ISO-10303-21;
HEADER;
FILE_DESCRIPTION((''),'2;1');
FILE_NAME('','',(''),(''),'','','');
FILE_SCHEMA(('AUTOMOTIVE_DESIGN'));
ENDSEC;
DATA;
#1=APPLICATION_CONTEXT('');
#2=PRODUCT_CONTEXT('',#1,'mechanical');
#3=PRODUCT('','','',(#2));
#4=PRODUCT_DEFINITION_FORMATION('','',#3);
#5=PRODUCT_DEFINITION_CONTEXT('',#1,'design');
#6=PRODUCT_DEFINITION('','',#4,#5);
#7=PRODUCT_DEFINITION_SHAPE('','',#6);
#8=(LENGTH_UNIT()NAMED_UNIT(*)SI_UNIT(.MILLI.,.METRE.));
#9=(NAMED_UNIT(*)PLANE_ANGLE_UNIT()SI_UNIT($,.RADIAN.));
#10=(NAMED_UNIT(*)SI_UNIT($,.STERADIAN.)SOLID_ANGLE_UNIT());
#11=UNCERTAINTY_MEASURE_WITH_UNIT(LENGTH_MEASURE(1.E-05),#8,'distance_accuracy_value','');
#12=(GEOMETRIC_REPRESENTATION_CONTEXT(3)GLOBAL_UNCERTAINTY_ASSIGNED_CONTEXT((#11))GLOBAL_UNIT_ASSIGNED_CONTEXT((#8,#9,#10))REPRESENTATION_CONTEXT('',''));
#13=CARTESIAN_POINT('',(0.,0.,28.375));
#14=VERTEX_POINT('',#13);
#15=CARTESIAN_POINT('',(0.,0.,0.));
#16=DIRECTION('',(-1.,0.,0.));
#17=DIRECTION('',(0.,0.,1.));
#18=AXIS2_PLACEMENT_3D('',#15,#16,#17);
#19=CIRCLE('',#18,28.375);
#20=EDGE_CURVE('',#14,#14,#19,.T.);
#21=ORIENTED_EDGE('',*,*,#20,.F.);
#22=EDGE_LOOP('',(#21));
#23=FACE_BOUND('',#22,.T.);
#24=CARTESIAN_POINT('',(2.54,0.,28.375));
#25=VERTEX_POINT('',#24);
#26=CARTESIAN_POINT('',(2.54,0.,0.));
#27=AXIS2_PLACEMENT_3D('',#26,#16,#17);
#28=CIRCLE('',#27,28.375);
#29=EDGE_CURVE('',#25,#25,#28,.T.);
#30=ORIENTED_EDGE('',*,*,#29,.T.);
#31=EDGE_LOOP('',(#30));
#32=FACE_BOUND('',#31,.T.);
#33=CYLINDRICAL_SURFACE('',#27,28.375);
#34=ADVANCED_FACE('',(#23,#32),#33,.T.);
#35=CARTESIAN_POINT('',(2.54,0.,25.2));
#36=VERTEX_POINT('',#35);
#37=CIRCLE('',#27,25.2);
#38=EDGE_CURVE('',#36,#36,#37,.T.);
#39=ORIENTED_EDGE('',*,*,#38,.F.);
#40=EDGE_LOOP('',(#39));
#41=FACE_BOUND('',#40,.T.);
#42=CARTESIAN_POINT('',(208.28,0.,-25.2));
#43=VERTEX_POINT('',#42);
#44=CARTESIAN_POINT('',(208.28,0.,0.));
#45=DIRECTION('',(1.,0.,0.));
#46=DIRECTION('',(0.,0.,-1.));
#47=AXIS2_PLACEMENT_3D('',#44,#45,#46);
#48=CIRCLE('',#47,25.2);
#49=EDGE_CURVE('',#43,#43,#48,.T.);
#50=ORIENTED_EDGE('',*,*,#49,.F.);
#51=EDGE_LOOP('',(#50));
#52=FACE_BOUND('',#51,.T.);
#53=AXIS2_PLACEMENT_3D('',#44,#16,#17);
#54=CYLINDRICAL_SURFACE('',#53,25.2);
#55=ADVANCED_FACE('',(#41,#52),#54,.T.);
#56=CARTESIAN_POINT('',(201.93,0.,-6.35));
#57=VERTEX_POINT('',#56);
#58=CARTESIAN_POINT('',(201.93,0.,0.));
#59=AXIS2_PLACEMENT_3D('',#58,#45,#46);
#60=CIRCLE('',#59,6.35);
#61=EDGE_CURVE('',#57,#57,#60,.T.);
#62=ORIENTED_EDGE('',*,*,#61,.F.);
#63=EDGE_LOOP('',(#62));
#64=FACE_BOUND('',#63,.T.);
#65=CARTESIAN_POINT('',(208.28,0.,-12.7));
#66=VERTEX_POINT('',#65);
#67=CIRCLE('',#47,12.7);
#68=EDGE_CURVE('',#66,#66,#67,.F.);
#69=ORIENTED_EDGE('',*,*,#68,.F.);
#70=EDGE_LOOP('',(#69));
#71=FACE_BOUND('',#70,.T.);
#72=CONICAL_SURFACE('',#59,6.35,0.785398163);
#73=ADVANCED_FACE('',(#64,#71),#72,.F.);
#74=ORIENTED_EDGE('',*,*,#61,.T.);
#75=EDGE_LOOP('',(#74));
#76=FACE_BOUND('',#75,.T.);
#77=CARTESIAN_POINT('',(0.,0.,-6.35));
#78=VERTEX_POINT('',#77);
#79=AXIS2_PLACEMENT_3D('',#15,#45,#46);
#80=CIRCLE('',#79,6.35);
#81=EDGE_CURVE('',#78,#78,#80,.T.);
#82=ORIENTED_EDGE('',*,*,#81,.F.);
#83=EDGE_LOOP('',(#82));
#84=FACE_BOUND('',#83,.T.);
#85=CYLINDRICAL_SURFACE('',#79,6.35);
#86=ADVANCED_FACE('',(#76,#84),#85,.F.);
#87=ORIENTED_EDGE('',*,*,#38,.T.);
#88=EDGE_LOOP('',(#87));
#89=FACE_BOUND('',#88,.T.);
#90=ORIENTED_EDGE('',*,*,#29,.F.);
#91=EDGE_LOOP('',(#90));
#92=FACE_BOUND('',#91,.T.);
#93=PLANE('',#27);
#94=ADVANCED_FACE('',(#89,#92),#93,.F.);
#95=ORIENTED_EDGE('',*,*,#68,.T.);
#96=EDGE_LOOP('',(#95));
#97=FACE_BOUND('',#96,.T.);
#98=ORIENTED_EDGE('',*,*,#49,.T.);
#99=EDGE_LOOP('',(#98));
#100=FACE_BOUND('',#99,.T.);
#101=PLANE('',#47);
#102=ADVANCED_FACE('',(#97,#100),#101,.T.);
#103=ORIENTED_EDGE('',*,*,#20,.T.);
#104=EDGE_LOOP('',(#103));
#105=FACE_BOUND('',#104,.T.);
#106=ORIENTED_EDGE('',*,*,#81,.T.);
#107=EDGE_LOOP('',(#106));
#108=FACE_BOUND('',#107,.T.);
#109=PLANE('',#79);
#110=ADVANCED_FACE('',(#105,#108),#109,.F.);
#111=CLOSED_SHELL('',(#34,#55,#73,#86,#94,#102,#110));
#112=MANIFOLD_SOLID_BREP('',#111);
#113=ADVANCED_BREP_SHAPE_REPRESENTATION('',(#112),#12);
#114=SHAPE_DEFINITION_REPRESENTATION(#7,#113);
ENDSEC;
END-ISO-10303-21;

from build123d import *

# Parameters (mm, degrees)
SKETCH1_R           = 25.2
BOSS_EXTRUDE1_DEPTH = 208.28
SKETCH2_R           = 28.375
BOSS_EXTRUDE2_DEPTH = 2.54
SKETCH4_R           = 6.35
CUT_EXTRUDE1_DEPTH  = 213.110442105
CHAMFER1_SIZE       = 6.35


with BuildPart() as part:
    # Sketch1 → Boss-Extrude1 (new body)
    with BuildSketch(Plane(origin=(0, 0, 0), x_dir=(0, 0, -1), z_dir=(1, 0, 0))):
        Circle(SKETCH1_R)
    extrude(amount=BOSS_EXTRUDE1_DEPTH)

    # Sketch2 → Boss-Extrude2 (add)
    with BuildSketch(Plane.ZY):
        Circle(SKETCH2_R)
    extrude(amount=-BOSS_EXTRUDE2_DEPTH)

    # Sketch4 → Cut-Extrude1 (cut, through all)
    with BuildSketch(Plane(origin=(208.28, 0, 0), x_dir=(0, 0, -1), z_dir=(1, 0, 0))):
        Circle(SKETCH4_R)
    extrude(amount=-CUT_EXTRUDE1_DEPTH, mode=Mode.SUBTRACT)

    # Chamfer1
    chamfer1_edges = [part.edges().sort_by_distance(p)[0] for p in [
        (208.28, 0, 6.35),
    ]]
    chamfer(chamfer1_edges, length=CHAMFER1_SIZE)


solid = part.part
